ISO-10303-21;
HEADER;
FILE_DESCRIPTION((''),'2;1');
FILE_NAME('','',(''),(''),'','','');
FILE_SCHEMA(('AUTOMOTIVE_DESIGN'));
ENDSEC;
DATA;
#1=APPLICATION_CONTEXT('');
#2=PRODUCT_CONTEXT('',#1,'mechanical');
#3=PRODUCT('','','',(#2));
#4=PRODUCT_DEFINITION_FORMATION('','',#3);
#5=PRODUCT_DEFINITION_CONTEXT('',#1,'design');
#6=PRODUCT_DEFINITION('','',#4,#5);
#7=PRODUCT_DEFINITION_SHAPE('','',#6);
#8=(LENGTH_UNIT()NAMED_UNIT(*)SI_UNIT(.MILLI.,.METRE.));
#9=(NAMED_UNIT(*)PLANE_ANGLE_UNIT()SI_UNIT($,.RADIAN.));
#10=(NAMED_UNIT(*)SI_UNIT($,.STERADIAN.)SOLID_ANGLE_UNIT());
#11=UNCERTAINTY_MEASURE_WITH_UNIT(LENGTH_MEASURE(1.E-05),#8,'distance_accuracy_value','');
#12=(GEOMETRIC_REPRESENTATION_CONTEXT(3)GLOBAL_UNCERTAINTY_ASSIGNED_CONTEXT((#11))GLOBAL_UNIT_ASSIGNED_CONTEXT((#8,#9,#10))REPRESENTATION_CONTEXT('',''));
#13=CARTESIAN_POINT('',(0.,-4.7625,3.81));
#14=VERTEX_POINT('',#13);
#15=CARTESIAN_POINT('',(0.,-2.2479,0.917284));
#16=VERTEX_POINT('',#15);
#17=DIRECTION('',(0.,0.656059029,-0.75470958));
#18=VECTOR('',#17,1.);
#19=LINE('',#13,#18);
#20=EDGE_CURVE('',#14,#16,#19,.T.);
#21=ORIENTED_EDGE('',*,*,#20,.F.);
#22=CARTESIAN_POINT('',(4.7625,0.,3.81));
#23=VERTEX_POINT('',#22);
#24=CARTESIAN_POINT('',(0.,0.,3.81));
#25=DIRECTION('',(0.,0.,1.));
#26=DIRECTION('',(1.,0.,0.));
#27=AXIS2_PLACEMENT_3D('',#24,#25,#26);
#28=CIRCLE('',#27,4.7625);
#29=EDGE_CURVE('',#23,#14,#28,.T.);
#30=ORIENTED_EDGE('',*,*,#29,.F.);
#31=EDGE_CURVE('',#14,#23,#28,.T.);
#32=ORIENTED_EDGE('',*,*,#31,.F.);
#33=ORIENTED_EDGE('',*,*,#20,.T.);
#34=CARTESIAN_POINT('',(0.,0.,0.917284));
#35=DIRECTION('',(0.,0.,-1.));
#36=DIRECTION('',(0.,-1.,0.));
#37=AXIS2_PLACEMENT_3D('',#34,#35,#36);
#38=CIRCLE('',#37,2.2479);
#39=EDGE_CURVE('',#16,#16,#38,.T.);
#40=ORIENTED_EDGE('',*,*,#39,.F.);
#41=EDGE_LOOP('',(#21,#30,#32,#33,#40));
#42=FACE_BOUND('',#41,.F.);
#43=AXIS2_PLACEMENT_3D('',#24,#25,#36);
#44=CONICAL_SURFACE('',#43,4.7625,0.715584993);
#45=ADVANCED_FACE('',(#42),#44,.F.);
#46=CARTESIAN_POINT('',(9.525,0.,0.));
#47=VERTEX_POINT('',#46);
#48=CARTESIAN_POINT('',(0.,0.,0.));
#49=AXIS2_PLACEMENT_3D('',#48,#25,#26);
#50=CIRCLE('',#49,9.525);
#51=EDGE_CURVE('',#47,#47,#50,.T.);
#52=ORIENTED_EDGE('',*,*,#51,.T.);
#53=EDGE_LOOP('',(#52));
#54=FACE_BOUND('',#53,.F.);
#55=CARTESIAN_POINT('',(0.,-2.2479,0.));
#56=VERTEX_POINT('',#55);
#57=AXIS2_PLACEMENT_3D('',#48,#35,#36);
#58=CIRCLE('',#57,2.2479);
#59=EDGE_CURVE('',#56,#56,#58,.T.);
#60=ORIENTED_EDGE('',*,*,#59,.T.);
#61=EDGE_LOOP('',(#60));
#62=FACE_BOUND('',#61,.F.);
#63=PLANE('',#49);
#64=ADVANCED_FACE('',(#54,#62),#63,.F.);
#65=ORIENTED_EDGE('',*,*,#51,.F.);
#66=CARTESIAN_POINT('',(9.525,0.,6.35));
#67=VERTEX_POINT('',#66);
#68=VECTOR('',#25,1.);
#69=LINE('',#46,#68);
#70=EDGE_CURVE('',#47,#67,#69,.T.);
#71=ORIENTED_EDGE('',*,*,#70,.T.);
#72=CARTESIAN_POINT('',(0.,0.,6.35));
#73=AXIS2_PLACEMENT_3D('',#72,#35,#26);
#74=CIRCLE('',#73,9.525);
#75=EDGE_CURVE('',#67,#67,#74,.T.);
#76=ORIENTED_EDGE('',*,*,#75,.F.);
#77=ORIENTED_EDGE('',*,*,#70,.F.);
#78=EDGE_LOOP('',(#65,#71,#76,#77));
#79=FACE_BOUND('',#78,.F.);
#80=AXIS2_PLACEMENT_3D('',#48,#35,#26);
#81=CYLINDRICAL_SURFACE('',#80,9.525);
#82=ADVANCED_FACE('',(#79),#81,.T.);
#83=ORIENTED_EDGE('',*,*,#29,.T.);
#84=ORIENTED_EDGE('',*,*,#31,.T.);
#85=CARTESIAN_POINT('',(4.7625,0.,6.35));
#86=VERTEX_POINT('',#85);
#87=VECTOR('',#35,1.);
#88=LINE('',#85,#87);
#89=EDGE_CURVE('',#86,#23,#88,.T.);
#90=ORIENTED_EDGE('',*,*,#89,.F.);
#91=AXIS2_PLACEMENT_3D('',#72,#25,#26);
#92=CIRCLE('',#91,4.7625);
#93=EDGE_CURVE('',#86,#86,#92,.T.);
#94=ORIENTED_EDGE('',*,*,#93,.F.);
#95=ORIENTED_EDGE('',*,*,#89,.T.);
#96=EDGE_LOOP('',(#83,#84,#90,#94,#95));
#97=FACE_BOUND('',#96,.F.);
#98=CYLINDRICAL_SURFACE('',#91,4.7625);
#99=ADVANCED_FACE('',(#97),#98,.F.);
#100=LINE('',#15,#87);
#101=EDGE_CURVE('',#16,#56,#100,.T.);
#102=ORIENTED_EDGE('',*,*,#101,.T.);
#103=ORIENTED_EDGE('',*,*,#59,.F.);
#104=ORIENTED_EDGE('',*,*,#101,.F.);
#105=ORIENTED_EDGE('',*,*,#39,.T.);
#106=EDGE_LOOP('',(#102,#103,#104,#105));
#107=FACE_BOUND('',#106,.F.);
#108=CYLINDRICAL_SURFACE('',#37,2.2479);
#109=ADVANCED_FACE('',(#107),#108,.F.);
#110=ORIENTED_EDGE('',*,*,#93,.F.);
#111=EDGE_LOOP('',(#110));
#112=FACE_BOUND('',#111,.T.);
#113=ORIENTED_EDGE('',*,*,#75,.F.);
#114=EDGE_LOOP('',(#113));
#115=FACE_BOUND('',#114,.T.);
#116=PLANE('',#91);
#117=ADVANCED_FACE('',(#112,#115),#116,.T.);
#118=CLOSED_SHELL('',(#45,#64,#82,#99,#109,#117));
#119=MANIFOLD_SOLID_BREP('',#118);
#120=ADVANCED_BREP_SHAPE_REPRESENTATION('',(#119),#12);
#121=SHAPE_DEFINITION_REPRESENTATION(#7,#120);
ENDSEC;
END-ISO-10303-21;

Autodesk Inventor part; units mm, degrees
ref_plane "YZ Plane" through (0, 0, 0) normal (1, 0, 0) x (0, 1, 0)
ref_plane "XZ Plane" through (0, 0, 0) normal (0, 1, 0) x (-1, 0, 0)
ref_plane "XY Plane" through (0, 0, 0) normal (0, 0, 1) x (1, 0, 0)
sketch "Sketch1" plane through (0, 0, 0) normal (0, 0, 1) x (1, 0, 0)
  line L0 (0, 13.335) -> (0, -13.335) projected
  line L1 (-13.335, 0) -> (13.335, 0) projected
  circle A0 centre (0, 0) radius 9.525
  dimension "d0" = 19.05
extrude "Extrusion1" add sketch "Sketch1" along normal blind 6.35
sketch "Sketch2" plane through (0, 0, 6.35) normal (0, 0, 1) x (1, 0, 0)
  circle A0 centre (0, 0) radius 9.525 projected
  circle A1 centre (0, 0) radius 4.7625
  dimension "d3" = 9.525
extrude "Extrusion2" cut sketch "Sketch2" against normal blind 2.54 contours A1
hole "Hole1" at (0, 0, 3.81) direction (0, 0, -1) diameter 4.4958 end through all countersink diameter 9.525 countersink angle 82 clearance for "Flat Head Machine Screw (82)" size "#8" standard "Ansi Unified Screw Threads"
